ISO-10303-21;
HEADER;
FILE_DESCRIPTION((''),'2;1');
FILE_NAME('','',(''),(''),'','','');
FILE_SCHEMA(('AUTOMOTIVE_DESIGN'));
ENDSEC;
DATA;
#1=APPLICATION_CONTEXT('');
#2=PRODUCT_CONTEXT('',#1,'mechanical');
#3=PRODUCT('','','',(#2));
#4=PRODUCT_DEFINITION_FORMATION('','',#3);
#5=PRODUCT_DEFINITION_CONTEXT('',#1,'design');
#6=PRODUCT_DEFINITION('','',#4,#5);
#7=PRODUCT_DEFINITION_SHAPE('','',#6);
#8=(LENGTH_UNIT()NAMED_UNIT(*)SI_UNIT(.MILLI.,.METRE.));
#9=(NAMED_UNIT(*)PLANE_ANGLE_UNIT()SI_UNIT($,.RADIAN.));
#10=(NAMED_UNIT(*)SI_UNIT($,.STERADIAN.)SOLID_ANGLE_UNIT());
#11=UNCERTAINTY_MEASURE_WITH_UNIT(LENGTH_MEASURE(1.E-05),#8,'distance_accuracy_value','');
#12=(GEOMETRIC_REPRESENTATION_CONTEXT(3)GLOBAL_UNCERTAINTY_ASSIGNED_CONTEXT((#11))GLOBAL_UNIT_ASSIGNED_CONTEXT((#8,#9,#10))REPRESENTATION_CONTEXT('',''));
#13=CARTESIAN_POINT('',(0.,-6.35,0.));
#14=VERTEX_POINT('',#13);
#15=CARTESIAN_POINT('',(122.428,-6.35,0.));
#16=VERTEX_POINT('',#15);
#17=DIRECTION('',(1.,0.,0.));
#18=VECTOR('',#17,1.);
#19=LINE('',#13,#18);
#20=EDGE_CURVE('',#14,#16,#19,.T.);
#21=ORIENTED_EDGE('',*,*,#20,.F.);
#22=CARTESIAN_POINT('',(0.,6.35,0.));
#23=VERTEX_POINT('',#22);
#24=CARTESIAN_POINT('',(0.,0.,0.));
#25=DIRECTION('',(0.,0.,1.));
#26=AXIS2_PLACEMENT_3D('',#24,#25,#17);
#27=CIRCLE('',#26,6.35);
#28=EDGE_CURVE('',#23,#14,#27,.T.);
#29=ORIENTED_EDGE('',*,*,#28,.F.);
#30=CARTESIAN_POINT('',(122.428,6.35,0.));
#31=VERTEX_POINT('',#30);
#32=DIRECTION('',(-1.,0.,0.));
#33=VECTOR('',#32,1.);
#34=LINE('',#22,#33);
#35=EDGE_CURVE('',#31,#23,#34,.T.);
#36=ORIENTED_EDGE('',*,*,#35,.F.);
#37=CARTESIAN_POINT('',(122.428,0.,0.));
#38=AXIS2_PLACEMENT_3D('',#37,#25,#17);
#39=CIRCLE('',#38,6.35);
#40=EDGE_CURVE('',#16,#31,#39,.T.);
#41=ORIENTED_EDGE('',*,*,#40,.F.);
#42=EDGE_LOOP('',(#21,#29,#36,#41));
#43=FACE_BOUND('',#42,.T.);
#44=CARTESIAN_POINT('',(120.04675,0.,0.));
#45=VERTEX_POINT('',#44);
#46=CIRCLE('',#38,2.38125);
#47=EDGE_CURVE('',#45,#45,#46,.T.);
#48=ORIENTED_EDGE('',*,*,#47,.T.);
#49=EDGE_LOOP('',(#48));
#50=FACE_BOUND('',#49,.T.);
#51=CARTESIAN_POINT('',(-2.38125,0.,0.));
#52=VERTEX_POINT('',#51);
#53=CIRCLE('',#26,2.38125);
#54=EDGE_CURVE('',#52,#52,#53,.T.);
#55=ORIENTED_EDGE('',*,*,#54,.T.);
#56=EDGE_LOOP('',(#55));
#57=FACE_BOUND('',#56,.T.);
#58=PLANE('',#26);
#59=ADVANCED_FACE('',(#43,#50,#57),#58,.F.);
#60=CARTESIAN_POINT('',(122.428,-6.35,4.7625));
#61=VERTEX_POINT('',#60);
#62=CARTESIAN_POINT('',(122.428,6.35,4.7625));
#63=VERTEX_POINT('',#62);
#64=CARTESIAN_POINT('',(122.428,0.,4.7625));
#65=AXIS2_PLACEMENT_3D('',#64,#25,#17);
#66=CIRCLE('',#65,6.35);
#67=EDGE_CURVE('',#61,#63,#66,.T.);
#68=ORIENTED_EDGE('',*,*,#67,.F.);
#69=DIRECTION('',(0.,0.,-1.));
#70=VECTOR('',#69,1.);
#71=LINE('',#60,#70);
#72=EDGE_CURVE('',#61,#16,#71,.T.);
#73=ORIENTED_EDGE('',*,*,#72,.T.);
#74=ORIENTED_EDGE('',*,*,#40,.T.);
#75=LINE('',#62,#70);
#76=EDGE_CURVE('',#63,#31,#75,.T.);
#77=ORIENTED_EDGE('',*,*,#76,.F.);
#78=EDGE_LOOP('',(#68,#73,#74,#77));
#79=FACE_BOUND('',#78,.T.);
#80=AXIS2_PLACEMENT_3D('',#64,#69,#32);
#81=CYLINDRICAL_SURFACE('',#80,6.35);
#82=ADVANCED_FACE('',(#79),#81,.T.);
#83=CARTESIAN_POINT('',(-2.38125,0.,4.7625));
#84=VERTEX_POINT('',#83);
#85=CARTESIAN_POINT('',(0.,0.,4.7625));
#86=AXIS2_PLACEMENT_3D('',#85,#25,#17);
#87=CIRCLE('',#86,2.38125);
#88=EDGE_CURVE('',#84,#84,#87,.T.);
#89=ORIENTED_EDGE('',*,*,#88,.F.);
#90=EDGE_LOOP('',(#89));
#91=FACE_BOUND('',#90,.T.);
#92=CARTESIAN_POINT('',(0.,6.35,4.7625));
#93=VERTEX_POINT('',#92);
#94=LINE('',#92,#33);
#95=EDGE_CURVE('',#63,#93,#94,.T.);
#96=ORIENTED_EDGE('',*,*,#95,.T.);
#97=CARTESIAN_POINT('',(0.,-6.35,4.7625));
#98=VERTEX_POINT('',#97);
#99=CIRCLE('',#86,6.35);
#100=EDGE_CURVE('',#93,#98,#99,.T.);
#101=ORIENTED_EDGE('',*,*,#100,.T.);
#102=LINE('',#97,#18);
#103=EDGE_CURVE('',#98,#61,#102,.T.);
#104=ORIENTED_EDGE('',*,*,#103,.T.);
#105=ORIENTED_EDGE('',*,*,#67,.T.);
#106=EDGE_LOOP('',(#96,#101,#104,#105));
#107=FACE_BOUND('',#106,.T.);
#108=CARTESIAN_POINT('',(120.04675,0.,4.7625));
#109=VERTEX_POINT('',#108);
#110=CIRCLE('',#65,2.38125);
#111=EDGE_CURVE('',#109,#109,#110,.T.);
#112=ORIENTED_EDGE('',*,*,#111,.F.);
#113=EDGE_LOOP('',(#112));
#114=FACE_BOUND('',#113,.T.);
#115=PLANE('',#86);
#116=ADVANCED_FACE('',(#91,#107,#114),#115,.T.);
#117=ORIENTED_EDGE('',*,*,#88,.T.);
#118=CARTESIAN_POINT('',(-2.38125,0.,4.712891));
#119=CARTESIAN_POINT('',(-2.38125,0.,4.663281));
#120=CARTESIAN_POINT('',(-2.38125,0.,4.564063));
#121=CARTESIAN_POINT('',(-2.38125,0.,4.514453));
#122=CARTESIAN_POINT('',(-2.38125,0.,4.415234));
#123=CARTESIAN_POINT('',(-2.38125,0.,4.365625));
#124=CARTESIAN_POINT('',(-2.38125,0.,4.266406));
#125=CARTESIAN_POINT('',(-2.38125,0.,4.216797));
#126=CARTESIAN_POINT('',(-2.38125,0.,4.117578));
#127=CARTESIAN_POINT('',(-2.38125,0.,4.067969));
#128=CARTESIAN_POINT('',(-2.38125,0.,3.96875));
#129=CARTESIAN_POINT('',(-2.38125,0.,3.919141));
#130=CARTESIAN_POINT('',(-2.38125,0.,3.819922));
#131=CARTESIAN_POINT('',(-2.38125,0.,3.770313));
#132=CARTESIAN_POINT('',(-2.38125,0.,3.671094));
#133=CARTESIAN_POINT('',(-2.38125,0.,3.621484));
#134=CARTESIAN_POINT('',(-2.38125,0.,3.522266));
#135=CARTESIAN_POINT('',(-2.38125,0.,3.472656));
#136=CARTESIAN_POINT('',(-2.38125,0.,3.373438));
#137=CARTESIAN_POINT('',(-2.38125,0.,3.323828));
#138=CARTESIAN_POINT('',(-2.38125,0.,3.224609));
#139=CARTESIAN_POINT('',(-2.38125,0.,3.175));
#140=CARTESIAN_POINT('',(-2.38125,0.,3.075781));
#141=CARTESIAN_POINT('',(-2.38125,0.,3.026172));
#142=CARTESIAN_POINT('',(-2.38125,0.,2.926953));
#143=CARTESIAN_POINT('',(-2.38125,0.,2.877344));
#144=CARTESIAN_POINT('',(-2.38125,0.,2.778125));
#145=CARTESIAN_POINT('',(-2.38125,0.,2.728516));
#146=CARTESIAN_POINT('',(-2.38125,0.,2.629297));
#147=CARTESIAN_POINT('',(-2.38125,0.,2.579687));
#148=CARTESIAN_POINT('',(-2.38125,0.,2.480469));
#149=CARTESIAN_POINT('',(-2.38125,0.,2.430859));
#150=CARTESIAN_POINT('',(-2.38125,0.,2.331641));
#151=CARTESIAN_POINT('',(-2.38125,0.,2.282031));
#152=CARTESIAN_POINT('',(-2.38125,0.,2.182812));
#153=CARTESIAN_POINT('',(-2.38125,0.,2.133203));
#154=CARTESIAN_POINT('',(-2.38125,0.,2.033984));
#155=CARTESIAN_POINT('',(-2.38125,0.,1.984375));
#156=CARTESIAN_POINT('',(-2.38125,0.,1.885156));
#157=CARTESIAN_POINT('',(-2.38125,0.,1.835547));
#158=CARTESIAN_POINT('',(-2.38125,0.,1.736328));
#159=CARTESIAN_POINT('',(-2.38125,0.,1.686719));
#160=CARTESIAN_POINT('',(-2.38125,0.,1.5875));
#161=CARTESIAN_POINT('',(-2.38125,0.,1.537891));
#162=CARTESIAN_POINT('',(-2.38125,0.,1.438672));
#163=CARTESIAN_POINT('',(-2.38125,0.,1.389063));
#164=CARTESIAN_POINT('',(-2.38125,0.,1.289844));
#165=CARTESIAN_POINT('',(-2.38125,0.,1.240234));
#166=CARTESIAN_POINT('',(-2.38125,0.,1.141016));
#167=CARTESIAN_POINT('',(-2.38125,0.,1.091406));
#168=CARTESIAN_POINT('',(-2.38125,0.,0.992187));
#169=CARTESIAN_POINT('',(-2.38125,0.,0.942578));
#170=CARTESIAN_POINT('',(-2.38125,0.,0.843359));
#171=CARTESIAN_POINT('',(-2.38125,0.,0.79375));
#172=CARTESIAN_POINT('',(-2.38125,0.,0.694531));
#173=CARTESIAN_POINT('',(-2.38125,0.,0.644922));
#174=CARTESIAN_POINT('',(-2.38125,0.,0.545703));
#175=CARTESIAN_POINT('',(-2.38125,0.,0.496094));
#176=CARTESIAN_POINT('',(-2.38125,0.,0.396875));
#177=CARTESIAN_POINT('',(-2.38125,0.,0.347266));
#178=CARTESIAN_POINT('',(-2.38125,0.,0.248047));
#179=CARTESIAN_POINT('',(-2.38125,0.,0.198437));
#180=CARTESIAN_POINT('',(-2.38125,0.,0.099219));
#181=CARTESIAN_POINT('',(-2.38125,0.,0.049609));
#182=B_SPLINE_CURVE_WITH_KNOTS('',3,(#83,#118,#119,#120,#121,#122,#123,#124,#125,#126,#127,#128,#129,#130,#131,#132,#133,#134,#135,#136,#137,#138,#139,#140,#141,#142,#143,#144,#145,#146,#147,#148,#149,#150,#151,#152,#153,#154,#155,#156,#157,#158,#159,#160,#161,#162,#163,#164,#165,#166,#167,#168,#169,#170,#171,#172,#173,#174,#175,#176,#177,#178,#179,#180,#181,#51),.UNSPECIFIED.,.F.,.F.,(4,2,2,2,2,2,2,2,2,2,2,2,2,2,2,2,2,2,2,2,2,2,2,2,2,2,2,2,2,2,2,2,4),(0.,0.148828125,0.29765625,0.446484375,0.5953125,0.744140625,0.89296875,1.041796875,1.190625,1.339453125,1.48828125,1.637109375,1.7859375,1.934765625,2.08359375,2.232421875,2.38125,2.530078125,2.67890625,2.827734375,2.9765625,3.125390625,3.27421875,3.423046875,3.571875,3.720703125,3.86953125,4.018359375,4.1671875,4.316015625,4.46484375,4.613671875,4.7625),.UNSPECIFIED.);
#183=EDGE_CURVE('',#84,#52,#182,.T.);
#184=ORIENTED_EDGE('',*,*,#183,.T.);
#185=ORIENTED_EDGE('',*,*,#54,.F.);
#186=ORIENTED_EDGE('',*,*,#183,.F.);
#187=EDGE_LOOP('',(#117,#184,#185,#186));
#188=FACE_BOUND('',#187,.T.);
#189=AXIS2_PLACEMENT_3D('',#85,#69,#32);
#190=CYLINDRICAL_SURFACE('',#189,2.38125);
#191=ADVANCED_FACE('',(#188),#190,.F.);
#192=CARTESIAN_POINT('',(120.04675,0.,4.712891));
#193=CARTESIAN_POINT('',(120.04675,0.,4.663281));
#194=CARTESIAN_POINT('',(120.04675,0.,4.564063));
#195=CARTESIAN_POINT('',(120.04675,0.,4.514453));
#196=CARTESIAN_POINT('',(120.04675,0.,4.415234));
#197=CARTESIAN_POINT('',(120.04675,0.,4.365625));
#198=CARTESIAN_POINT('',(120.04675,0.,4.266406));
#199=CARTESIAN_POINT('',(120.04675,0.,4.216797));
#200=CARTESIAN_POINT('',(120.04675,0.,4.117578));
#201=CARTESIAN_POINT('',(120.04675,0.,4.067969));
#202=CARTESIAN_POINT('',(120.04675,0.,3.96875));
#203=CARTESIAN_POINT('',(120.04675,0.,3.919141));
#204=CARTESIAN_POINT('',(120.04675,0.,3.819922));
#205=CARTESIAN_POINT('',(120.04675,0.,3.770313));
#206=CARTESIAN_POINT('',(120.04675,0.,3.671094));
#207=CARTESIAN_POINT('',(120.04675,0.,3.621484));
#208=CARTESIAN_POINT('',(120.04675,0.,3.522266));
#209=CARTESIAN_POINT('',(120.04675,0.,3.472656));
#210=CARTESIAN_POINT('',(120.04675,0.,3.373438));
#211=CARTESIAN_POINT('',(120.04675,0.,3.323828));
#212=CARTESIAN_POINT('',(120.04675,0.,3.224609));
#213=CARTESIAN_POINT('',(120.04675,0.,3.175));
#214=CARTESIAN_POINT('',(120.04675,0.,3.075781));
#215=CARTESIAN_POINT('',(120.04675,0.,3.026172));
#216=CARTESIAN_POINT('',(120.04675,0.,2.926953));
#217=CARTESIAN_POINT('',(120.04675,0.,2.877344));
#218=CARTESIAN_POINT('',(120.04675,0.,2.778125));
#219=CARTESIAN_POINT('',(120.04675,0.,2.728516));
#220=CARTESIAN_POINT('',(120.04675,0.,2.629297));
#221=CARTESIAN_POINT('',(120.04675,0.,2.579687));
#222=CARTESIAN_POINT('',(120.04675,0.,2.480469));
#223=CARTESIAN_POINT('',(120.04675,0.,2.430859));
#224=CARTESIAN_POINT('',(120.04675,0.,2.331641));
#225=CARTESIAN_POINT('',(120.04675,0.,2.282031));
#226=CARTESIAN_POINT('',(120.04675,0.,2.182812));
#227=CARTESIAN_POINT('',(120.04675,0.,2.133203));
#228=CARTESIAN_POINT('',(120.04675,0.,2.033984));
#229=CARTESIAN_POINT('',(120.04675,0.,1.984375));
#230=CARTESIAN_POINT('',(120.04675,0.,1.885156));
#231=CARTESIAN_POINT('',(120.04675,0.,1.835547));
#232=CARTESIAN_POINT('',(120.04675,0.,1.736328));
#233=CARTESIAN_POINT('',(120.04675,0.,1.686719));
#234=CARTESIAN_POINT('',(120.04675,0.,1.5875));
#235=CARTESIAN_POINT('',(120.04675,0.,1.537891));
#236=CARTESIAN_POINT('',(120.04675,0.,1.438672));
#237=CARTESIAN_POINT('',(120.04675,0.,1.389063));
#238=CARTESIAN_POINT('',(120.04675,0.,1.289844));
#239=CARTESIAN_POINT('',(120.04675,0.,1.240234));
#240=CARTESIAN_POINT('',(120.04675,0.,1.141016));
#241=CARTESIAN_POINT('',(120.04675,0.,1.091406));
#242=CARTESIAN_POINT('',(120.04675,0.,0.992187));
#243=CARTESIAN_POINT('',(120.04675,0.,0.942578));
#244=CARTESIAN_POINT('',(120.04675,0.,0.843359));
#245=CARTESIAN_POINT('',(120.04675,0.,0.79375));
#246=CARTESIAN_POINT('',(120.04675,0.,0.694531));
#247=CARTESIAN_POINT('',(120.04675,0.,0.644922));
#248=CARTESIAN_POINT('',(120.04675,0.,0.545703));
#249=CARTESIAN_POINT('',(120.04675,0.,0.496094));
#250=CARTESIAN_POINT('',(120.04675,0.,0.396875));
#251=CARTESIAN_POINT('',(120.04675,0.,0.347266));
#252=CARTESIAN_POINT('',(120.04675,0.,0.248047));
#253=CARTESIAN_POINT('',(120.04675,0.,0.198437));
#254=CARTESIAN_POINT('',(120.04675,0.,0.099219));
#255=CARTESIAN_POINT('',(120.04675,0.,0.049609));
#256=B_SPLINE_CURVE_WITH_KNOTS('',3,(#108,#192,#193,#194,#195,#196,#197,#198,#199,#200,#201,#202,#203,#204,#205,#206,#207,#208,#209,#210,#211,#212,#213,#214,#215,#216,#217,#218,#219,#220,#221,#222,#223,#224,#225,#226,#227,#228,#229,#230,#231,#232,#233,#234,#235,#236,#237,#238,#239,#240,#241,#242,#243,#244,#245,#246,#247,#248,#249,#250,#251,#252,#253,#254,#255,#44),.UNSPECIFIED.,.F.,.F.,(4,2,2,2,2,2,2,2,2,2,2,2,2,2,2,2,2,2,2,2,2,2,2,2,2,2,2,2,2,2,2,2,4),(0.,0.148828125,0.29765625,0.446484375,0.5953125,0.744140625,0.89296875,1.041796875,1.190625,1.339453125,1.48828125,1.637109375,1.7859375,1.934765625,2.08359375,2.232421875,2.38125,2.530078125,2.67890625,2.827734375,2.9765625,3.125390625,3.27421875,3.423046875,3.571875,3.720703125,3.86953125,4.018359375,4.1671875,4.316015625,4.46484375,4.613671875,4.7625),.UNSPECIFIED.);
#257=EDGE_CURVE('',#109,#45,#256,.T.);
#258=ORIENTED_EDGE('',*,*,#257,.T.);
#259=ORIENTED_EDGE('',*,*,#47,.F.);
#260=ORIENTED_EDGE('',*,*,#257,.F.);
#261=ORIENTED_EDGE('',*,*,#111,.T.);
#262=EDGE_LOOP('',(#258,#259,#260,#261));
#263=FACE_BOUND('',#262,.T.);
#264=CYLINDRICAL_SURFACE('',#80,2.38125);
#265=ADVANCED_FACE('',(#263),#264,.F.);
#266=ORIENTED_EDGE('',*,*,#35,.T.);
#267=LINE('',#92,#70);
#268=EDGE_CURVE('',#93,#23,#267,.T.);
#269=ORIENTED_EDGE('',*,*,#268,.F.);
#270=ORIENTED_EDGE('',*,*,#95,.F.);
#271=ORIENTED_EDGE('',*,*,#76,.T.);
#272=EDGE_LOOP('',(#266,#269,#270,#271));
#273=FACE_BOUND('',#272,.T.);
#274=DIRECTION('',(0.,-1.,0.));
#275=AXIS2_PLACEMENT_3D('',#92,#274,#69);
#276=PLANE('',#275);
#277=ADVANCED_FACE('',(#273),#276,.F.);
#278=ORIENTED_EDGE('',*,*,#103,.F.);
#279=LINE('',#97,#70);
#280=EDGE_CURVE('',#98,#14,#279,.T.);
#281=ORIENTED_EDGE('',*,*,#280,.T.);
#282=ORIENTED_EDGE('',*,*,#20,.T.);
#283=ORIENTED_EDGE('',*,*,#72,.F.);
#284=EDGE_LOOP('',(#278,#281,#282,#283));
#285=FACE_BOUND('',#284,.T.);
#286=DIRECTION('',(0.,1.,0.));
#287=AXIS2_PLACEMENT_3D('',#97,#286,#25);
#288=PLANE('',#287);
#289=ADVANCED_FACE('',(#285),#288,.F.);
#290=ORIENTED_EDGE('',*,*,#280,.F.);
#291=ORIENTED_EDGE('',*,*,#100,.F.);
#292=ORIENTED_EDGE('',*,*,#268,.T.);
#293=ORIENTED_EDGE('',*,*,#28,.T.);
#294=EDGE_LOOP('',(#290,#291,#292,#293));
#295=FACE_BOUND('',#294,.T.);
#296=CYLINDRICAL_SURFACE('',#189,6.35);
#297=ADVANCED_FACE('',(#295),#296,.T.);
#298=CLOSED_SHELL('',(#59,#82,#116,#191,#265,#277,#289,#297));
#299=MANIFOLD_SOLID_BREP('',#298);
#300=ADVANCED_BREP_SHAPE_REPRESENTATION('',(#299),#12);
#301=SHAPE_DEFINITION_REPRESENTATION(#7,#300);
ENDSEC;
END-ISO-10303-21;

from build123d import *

# Parameters (mm, degrees)
SKETCH1_R           = 2.38125
BOSS_EXTRUDE1_DEPTH = 4.7625


with BuildPart() as part:
    # Sketch1 → Boss-Extrude1 (new body)
    with BuildSketch(Plane.XY):
        with BuildLine():
            Line((0, 6.35), (122.428, 6.35))
            ThreePointArc((122.428, 6.35), (128.778, 0), (122.428, -6.35))
            Line((122.428, -6.35), (0, -6.35))
            ThreePointArc((0, -6.35), (-6.35, 0), (0, 6.35))
        make_face()
        with Locations(Location((0, 0, 0), (0, 0, 180))):
            Circle(SKETCH1_R, mode=Mode.SUBTRACT)
        with Locations(Location((122.428, 0, 0), (0, 0, 180))):
            Circle(SKETCH1_R, mode=Mode.SUBTRACT)
    extrude(amount=BOSS_EXTRUDE1_DEPTH)


solid = part.part
